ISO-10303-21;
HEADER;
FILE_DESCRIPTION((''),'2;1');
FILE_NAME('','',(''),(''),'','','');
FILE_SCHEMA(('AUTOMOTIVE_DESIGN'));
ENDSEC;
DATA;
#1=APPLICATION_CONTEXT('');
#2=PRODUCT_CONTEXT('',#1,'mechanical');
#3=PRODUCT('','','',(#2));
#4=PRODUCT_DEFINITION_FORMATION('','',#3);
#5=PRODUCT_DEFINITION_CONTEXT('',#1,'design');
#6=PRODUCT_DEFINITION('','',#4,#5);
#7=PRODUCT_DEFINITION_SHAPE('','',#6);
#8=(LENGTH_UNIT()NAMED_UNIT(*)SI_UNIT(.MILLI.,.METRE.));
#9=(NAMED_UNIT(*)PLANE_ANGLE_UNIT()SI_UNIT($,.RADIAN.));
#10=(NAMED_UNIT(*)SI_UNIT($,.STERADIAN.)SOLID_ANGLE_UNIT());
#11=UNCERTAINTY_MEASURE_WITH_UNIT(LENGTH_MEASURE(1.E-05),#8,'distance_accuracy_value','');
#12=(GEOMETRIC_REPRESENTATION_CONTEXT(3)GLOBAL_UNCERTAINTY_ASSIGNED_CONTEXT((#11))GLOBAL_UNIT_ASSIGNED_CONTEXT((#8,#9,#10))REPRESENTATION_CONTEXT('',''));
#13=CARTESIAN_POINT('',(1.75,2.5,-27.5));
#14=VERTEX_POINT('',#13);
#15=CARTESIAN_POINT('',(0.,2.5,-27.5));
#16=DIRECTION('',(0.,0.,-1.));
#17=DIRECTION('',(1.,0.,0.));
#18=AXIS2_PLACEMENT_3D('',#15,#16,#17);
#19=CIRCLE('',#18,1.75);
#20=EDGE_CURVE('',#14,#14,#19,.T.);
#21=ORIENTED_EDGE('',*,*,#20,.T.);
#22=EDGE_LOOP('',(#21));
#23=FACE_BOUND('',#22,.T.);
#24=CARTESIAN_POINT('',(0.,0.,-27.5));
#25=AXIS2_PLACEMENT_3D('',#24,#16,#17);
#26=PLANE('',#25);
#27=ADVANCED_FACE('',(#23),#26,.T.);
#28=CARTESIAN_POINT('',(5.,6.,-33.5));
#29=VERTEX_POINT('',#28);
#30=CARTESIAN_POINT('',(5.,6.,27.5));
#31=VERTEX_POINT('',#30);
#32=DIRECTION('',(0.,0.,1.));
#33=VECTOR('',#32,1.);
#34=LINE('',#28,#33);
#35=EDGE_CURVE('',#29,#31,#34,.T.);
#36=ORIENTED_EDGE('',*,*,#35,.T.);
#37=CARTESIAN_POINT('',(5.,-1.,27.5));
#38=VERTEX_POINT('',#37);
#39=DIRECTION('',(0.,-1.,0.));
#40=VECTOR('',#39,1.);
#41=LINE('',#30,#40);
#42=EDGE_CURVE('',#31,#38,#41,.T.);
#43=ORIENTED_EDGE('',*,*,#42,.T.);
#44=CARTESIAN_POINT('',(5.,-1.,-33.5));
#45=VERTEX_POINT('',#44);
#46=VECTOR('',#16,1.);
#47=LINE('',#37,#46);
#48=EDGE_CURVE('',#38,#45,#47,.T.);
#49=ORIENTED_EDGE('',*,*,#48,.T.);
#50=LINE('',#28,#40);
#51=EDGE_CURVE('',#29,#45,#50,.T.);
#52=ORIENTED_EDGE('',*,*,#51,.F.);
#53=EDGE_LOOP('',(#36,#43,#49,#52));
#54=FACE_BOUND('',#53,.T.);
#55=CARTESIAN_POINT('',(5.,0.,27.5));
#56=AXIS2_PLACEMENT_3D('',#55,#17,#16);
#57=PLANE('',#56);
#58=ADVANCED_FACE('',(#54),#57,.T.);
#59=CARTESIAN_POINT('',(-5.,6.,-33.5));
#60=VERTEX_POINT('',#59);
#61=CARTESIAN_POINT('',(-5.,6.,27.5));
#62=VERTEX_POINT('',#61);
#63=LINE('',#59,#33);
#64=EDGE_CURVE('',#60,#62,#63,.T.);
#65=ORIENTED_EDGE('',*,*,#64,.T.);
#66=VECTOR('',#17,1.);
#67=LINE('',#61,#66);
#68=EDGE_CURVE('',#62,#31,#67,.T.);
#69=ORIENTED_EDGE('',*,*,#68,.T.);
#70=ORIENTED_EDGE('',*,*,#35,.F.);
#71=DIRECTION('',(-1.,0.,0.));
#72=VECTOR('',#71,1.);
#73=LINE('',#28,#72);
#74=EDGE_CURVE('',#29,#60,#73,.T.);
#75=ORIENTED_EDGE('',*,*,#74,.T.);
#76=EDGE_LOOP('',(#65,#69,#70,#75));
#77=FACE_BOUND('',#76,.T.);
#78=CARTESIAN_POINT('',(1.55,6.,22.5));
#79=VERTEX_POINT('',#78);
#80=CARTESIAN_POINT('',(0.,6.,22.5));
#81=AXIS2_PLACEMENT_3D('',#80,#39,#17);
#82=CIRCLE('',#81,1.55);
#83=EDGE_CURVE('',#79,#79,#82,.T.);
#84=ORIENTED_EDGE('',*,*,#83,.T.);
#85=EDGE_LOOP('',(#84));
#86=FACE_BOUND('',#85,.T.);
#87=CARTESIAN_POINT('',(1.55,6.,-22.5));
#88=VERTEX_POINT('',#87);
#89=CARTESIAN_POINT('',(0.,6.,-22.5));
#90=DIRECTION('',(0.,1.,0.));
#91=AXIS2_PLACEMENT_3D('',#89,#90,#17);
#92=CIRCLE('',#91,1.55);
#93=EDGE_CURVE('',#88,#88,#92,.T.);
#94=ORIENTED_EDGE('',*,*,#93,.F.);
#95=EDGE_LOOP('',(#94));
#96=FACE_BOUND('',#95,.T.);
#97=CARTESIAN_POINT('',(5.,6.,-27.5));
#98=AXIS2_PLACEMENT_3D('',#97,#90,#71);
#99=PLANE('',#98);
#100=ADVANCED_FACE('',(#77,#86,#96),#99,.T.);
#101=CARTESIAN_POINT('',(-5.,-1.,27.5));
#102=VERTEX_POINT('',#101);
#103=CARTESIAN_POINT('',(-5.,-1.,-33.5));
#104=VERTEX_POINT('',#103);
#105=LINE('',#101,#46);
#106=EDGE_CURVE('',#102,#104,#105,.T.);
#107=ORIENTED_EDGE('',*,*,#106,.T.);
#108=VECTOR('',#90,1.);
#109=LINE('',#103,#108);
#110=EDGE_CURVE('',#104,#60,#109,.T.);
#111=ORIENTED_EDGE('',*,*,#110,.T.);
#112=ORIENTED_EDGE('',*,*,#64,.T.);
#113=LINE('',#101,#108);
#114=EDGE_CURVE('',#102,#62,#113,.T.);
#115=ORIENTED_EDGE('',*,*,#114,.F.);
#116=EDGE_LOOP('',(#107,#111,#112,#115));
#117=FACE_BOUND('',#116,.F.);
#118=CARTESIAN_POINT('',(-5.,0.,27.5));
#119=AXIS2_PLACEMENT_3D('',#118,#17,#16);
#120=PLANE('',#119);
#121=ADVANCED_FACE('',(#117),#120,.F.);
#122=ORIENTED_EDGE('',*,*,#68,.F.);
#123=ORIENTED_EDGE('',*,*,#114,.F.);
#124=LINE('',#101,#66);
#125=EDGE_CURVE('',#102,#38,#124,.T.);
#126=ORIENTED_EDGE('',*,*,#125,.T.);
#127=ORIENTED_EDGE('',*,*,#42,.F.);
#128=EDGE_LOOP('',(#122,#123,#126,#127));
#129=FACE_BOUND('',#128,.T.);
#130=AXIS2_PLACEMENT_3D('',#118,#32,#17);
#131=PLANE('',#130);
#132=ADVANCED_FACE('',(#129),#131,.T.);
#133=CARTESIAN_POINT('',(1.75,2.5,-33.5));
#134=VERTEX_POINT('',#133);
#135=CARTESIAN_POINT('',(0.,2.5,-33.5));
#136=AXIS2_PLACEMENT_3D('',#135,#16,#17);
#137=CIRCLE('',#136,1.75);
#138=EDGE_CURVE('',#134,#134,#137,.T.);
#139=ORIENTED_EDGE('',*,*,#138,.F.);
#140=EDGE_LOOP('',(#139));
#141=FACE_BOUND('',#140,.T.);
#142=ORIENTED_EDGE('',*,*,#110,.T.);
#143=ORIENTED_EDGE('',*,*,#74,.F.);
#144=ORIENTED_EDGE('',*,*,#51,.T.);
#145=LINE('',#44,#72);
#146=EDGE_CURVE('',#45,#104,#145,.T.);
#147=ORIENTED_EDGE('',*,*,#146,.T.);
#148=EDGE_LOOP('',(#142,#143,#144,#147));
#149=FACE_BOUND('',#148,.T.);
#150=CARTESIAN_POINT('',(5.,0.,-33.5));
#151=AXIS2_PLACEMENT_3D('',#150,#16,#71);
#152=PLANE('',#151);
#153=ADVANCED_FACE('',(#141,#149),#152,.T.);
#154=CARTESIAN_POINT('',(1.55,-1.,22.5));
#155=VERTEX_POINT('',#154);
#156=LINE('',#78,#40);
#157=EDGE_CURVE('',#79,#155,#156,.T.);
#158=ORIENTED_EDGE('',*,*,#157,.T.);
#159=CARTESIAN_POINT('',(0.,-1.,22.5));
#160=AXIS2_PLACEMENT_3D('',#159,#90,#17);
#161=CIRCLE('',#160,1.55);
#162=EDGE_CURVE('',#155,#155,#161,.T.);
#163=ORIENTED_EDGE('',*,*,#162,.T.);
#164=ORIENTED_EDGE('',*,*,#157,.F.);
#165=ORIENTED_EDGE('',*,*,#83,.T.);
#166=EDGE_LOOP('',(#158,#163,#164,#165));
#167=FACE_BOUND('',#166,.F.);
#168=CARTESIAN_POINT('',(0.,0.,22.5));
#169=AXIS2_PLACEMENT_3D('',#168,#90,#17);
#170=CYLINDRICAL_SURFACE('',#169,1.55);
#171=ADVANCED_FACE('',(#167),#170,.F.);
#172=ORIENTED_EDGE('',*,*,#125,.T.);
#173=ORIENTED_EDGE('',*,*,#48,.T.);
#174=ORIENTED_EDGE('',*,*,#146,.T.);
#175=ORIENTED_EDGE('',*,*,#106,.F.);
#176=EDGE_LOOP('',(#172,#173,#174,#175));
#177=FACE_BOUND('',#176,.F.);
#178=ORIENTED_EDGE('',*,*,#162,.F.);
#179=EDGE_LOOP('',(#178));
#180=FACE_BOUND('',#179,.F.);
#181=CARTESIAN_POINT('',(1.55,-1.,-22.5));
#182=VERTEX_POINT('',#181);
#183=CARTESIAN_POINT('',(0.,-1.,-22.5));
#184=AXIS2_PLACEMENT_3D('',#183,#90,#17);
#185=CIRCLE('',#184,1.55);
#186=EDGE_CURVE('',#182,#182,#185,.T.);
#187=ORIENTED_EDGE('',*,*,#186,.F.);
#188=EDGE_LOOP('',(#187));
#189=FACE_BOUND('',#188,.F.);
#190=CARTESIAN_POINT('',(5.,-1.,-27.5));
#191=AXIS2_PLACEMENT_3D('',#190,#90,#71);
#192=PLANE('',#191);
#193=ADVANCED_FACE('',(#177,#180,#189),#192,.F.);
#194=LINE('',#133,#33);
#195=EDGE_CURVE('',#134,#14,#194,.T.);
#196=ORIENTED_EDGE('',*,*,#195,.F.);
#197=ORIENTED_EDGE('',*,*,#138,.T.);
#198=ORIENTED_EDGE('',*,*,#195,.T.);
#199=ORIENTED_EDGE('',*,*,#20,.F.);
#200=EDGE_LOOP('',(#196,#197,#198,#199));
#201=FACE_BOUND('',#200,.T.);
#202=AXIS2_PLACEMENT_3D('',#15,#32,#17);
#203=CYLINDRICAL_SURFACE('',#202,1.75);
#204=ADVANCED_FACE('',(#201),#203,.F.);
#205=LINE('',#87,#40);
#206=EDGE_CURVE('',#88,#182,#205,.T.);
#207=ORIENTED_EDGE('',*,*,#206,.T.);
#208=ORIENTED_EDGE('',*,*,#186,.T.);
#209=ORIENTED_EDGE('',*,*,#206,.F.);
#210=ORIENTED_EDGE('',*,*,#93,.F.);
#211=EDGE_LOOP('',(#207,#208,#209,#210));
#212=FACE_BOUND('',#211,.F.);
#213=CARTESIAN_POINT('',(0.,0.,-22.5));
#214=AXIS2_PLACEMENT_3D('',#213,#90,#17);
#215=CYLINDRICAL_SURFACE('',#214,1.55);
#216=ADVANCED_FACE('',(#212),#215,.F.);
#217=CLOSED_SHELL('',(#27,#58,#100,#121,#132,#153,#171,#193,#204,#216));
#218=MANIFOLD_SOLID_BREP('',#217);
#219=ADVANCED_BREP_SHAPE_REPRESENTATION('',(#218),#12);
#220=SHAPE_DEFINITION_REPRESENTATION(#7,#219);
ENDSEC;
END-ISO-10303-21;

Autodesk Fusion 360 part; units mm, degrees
sketch "Sketch1" plane through (0, 0, 0) normal (0, 1, 0) x (1, 0, 0)
  line L0 (5, 27.5) -> (-5, 27.5)
  line L1 (-5, 27.5) -> (-5, -27.5)
  line L2 (-5, -27.5) -> (5, -27.5)
  line L3 (5, -27.5) -> (5, 27.5)
  line L4 (5, 27.5) -> (-5, -27.5) construction
  line L5 (-5, 27.5) -> (5, -27.5) construction
  line L6 (0, -24.05) -> (0, -22.5)
  circle A0 centre (0, -22.5) radius 1.55
  circle A1 centre (0, 22.5) radius 1.55
  dimension "d1" = 10
  dimension "d2" = 55
  dimension "d4" = 3.1
extrude "Extrude1" add sketch "Sketch1" along normal blind 5
sketch "Sketch2" plane through (0, 0, -27.5) normal (0, 0, -1) x (1, 0, 0)
  line L0 (5, 0) -> (-5, 0)
  line L1 (-5, 0) -> (-5, -5)
  line L2 (-5, -5) -> (5, -5)
  line L3 (5, -5) -> (5, 0)
  circle A0 centre (0, -2.5) radius 1.75
  dimension "d7" = 2.5
  dimension "d8" = 3.5
extrude "Extrude2" cut sketch "Sketch2" against normal blind 2 contours A0
extrude "Extrude3" add 1 faces at (3.9167, 2.5, -27.5) along direction (0, 0, -1) blind 6
extrude "Extrude4" add 1 faces at (-0.3896, 1.8511, -25.5) along direction (0, 0, -1) blind 2
extrude "Extrude5" add 1 faces at (-0.0386, 5, -30.3486) along direction (0, 1, 0) blind 1
extrude "Extrude6" add 1 faces at (-0.0386, 0, -30.3486) along direction (0, -1, 0) blind 1
